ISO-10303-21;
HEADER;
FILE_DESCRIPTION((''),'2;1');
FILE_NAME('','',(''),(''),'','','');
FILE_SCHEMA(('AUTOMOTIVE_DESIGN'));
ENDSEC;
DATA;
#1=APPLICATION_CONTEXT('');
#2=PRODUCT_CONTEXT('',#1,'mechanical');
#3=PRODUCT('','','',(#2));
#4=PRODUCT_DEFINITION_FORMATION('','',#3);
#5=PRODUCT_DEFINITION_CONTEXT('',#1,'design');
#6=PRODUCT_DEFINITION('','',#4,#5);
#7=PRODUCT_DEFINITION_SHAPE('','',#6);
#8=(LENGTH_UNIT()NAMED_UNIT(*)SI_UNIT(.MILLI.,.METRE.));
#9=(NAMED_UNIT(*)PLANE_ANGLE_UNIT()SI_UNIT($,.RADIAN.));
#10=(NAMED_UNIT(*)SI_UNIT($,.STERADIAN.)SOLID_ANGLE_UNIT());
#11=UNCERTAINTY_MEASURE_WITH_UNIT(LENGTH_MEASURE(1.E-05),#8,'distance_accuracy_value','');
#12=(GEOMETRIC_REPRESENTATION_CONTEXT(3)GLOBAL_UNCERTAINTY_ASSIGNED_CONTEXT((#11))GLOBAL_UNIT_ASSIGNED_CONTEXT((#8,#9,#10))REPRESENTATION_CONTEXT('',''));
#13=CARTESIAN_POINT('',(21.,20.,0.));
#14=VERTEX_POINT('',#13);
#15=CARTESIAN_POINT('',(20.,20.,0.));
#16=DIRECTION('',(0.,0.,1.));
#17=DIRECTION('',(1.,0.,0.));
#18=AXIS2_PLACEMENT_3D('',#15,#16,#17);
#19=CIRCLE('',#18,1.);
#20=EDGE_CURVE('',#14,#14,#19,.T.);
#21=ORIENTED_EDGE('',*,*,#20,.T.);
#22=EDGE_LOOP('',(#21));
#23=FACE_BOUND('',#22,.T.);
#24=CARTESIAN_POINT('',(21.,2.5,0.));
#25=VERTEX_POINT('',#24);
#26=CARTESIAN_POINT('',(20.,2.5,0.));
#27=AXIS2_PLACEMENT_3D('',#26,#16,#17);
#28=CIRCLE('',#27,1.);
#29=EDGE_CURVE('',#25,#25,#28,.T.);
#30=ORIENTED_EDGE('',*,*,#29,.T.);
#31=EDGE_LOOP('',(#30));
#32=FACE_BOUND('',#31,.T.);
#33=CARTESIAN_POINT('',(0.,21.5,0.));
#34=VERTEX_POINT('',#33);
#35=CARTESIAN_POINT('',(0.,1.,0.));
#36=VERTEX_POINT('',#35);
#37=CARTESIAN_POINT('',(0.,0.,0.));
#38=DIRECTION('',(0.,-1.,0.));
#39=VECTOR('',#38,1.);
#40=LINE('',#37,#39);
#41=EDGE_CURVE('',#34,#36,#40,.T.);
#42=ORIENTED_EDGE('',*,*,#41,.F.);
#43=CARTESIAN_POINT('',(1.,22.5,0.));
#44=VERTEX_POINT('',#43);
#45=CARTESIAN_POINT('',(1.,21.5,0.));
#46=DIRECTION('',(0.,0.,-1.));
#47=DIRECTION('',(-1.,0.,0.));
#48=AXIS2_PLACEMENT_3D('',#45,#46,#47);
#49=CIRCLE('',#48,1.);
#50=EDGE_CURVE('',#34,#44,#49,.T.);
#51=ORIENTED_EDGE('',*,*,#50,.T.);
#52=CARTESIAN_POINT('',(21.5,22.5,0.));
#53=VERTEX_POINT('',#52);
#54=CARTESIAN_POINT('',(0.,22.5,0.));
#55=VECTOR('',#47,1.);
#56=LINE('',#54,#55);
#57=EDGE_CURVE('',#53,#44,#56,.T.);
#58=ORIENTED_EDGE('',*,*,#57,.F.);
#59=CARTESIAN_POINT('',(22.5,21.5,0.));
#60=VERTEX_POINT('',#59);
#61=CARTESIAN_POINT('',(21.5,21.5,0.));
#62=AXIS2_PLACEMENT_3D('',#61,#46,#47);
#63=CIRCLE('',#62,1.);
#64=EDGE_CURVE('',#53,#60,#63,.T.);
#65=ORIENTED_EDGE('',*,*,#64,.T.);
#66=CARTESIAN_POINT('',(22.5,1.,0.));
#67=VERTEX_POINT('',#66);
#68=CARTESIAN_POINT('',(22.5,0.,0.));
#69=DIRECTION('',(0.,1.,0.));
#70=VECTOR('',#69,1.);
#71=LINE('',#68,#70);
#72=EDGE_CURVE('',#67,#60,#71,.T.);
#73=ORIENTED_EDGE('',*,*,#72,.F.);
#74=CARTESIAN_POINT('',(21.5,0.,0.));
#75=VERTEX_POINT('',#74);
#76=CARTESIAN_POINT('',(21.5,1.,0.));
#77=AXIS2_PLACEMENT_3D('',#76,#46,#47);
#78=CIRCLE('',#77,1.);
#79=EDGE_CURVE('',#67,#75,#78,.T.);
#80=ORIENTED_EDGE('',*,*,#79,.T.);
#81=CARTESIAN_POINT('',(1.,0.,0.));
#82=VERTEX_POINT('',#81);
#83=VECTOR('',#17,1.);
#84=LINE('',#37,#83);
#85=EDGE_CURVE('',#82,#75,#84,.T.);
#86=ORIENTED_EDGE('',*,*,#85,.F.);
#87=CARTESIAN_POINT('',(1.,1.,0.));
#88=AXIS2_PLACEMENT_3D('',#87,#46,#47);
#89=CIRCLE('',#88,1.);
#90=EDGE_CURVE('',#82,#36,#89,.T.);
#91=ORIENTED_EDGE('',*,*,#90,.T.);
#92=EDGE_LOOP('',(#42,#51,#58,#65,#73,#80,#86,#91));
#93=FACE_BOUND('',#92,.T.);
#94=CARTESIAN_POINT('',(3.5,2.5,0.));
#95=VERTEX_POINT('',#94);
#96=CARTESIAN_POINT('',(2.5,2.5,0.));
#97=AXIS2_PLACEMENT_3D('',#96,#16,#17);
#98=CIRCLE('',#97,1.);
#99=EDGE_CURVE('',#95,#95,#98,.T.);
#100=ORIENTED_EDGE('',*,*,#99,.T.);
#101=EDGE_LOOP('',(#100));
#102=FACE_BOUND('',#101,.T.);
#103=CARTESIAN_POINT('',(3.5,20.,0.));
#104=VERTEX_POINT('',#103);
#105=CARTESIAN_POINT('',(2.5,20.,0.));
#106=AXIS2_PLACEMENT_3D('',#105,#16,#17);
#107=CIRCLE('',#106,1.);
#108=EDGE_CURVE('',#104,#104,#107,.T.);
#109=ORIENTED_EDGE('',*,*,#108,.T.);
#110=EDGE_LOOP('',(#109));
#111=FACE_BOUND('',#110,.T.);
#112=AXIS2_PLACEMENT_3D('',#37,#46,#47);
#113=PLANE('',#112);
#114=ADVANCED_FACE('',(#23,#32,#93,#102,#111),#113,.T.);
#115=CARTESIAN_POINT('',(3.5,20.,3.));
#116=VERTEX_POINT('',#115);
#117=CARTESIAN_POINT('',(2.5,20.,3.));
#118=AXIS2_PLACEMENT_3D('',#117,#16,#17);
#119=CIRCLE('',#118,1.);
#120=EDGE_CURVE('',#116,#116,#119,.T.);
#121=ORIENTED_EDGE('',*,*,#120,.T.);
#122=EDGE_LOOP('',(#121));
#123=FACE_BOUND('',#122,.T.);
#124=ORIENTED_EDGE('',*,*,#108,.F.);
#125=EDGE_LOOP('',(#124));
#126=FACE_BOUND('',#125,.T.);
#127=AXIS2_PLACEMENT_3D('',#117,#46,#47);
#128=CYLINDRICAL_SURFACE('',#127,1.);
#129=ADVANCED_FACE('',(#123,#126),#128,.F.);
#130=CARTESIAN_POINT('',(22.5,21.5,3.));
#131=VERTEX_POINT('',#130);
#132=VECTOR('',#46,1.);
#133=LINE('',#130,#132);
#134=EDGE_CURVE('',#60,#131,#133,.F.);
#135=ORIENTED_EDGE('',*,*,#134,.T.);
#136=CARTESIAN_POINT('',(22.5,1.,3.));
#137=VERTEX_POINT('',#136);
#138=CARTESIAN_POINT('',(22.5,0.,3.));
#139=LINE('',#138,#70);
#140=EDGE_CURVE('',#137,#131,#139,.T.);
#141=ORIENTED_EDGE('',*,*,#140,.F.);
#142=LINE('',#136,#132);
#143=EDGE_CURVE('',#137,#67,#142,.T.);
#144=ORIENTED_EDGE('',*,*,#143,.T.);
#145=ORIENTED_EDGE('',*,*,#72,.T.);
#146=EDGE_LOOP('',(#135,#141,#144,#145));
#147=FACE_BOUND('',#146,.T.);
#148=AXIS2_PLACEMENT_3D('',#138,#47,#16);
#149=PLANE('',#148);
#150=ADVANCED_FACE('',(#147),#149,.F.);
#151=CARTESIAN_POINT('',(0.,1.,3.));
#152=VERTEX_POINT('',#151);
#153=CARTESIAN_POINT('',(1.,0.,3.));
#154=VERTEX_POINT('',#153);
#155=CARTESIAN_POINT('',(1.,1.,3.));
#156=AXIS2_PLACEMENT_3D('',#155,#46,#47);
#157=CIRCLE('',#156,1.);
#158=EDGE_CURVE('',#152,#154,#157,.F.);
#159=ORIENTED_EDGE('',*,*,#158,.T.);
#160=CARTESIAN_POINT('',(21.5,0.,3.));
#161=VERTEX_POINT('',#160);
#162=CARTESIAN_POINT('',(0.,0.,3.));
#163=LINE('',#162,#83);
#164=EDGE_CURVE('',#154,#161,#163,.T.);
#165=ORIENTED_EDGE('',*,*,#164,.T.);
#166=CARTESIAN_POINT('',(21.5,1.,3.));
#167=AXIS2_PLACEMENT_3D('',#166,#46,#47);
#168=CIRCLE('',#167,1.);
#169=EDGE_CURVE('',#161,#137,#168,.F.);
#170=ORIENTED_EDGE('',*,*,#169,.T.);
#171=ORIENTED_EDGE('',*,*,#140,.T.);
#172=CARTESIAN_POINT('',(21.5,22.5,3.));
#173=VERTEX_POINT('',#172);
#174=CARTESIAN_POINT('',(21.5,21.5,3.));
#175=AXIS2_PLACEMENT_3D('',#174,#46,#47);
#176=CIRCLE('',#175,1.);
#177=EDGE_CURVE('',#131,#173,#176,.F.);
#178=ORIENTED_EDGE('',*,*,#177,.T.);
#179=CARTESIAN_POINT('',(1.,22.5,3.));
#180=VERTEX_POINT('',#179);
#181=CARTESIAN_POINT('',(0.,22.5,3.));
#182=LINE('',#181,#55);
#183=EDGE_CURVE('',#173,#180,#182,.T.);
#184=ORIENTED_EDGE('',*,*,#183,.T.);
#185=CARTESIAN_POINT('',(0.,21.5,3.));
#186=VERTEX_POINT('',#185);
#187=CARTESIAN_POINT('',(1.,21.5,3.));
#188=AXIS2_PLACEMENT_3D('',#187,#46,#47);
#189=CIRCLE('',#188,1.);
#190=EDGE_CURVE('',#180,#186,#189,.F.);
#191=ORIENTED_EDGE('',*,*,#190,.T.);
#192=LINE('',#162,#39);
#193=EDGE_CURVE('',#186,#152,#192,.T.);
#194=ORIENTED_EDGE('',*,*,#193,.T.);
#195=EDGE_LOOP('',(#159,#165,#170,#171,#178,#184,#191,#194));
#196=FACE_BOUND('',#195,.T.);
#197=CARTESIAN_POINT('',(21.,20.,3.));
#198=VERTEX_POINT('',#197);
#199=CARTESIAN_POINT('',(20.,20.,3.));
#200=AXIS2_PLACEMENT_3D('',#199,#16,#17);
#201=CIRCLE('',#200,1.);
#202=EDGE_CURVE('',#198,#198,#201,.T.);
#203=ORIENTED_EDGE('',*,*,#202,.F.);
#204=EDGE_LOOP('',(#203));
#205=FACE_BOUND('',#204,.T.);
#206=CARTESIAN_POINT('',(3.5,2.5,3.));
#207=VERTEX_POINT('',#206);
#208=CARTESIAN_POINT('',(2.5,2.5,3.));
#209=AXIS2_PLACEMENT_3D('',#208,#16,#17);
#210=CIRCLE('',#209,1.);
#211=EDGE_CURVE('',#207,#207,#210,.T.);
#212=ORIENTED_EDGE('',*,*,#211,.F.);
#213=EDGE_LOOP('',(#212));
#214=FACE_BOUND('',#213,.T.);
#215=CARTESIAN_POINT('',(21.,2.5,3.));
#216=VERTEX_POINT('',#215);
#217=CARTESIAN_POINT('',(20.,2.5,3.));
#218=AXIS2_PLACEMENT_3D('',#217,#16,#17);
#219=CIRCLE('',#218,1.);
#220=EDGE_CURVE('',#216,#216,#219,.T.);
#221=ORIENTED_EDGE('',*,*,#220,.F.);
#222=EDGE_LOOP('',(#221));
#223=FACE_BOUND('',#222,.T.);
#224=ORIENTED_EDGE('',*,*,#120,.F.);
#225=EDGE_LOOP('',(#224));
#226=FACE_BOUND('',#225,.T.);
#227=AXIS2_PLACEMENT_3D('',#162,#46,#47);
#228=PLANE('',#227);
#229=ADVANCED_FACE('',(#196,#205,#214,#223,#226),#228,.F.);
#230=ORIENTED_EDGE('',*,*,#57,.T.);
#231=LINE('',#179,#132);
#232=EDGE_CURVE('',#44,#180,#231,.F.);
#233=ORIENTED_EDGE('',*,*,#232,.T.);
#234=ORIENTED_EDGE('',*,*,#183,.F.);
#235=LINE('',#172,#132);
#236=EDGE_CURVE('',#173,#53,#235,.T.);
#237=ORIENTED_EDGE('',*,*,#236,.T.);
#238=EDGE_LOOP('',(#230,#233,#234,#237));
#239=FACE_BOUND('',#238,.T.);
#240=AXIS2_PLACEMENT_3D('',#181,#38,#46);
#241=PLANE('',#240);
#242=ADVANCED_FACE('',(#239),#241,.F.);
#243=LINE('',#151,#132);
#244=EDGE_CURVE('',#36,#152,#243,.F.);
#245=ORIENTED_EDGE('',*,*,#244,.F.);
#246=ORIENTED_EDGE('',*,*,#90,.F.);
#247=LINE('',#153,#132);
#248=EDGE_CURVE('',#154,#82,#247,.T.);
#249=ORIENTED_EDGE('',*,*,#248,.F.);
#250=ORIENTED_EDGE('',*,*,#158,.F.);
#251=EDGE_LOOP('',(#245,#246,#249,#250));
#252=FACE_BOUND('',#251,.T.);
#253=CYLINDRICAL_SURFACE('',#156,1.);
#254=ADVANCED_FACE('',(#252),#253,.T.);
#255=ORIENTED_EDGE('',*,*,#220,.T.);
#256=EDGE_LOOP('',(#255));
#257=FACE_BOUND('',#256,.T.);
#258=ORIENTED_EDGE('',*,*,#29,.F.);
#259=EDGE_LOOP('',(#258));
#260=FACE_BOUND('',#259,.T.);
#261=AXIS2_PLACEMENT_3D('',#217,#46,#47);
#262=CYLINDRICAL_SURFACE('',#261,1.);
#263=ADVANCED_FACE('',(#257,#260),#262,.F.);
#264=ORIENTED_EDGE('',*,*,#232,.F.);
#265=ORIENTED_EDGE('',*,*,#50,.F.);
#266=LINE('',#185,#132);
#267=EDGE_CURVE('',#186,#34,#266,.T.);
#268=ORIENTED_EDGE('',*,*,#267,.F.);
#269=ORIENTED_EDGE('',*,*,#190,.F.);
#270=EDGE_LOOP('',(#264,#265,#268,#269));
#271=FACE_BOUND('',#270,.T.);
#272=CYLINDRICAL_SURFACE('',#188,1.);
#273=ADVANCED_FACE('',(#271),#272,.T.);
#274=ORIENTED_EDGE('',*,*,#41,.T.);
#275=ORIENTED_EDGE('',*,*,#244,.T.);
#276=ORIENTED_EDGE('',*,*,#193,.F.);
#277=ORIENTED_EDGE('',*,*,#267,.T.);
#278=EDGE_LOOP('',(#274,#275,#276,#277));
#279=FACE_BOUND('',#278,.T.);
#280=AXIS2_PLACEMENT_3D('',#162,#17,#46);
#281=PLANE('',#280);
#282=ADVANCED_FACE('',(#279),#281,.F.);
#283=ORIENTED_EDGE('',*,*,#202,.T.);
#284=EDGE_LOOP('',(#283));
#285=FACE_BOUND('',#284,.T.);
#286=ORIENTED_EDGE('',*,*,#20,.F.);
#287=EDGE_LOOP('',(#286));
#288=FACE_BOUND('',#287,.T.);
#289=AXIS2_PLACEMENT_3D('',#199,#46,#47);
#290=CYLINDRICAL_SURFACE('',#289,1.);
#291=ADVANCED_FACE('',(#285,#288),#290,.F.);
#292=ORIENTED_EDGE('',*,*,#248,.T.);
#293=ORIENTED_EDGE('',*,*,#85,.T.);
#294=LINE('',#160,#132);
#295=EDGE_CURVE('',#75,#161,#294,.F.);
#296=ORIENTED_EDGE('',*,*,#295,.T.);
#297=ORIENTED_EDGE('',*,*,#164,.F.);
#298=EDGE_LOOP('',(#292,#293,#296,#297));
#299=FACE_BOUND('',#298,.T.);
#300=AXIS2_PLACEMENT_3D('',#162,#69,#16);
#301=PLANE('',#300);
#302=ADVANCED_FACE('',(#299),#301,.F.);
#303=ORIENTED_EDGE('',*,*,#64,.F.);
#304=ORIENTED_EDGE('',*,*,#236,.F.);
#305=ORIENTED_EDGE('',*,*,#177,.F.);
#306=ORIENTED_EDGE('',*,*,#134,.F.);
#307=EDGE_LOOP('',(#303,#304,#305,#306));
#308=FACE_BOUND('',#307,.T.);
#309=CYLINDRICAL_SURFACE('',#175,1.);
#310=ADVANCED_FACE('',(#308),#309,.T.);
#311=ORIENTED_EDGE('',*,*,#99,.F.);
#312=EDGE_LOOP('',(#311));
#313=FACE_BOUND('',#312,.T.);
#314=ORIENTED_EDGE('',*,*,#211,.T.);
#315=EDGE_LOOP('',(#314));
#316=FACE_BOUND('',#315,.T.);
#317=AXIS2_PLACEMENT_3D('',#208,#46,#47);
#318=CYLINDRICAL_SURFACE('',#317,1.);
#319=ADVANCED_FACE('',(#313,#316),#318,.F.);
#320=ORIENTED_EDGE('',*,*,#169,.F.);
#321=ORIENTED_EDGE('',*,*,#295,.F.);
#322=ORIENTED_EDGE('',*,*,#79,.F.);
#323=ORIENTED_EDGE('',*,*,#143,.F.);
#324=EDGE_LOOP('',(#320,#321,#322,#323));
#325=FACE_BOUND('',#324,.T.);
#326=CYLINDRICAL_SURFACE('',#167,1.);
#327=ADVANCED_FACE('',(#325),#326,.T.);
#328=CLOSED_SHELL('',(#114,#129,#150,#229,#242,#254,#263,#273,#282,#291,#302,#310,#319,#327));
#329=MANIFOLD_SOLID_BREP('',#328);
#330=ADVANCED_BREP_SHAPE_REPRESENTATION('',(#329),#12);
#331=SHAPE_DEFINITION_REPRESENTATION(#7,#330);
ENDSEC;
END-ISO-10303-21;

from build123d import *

# Parameters (mm, degrees)
SKETCH1_W           = 22.5
SKETCH1_H           = 22.5
SKETCH1_R           = 1
BOSS_EXTRUDE1_DEPTH = 3
FILLET1_R           = 1


with BuildPart() as part:
    # Sketch1 → Boss-Extrude1 (new body)
    with BuildSketch(Plane.XY):
        with Locations((11.25, 11.25)):
            Rectangle(SKETCH1_W, SKETCH1_H)
        with Locations((2.5, 20)):
            Circle(SKETCH1_R, mode=Mode.SUBTRACT)
        with Locations((20, 20)):
            Circle(SKETCH1_R, mode=Mode.SUBTRACT)
        with Locations((20, 2.5)):
            Circle(SKETCH1_R, mode=Mode.SUBTRACT)
        with Locations((2.5, 2.5)):
            Circle(SKETCH1_R, mode=Mode.SUBTRACT)
    extrude(amount=BOSS_EXTRUDE1_DEPTH)

    # Fillet1
    fillet1_edges = [part.edges().sort_by_distance(p)[0] for p in [
        (0, 22.5, 1.5),
        (22.5, 22.5, 1.5),
        (22.5, 0, 1.5),
        (0, 0, 1.5),
    ]]
    fillet(fillet1_edges, radius=FILLET1_R)


solid = part.part
